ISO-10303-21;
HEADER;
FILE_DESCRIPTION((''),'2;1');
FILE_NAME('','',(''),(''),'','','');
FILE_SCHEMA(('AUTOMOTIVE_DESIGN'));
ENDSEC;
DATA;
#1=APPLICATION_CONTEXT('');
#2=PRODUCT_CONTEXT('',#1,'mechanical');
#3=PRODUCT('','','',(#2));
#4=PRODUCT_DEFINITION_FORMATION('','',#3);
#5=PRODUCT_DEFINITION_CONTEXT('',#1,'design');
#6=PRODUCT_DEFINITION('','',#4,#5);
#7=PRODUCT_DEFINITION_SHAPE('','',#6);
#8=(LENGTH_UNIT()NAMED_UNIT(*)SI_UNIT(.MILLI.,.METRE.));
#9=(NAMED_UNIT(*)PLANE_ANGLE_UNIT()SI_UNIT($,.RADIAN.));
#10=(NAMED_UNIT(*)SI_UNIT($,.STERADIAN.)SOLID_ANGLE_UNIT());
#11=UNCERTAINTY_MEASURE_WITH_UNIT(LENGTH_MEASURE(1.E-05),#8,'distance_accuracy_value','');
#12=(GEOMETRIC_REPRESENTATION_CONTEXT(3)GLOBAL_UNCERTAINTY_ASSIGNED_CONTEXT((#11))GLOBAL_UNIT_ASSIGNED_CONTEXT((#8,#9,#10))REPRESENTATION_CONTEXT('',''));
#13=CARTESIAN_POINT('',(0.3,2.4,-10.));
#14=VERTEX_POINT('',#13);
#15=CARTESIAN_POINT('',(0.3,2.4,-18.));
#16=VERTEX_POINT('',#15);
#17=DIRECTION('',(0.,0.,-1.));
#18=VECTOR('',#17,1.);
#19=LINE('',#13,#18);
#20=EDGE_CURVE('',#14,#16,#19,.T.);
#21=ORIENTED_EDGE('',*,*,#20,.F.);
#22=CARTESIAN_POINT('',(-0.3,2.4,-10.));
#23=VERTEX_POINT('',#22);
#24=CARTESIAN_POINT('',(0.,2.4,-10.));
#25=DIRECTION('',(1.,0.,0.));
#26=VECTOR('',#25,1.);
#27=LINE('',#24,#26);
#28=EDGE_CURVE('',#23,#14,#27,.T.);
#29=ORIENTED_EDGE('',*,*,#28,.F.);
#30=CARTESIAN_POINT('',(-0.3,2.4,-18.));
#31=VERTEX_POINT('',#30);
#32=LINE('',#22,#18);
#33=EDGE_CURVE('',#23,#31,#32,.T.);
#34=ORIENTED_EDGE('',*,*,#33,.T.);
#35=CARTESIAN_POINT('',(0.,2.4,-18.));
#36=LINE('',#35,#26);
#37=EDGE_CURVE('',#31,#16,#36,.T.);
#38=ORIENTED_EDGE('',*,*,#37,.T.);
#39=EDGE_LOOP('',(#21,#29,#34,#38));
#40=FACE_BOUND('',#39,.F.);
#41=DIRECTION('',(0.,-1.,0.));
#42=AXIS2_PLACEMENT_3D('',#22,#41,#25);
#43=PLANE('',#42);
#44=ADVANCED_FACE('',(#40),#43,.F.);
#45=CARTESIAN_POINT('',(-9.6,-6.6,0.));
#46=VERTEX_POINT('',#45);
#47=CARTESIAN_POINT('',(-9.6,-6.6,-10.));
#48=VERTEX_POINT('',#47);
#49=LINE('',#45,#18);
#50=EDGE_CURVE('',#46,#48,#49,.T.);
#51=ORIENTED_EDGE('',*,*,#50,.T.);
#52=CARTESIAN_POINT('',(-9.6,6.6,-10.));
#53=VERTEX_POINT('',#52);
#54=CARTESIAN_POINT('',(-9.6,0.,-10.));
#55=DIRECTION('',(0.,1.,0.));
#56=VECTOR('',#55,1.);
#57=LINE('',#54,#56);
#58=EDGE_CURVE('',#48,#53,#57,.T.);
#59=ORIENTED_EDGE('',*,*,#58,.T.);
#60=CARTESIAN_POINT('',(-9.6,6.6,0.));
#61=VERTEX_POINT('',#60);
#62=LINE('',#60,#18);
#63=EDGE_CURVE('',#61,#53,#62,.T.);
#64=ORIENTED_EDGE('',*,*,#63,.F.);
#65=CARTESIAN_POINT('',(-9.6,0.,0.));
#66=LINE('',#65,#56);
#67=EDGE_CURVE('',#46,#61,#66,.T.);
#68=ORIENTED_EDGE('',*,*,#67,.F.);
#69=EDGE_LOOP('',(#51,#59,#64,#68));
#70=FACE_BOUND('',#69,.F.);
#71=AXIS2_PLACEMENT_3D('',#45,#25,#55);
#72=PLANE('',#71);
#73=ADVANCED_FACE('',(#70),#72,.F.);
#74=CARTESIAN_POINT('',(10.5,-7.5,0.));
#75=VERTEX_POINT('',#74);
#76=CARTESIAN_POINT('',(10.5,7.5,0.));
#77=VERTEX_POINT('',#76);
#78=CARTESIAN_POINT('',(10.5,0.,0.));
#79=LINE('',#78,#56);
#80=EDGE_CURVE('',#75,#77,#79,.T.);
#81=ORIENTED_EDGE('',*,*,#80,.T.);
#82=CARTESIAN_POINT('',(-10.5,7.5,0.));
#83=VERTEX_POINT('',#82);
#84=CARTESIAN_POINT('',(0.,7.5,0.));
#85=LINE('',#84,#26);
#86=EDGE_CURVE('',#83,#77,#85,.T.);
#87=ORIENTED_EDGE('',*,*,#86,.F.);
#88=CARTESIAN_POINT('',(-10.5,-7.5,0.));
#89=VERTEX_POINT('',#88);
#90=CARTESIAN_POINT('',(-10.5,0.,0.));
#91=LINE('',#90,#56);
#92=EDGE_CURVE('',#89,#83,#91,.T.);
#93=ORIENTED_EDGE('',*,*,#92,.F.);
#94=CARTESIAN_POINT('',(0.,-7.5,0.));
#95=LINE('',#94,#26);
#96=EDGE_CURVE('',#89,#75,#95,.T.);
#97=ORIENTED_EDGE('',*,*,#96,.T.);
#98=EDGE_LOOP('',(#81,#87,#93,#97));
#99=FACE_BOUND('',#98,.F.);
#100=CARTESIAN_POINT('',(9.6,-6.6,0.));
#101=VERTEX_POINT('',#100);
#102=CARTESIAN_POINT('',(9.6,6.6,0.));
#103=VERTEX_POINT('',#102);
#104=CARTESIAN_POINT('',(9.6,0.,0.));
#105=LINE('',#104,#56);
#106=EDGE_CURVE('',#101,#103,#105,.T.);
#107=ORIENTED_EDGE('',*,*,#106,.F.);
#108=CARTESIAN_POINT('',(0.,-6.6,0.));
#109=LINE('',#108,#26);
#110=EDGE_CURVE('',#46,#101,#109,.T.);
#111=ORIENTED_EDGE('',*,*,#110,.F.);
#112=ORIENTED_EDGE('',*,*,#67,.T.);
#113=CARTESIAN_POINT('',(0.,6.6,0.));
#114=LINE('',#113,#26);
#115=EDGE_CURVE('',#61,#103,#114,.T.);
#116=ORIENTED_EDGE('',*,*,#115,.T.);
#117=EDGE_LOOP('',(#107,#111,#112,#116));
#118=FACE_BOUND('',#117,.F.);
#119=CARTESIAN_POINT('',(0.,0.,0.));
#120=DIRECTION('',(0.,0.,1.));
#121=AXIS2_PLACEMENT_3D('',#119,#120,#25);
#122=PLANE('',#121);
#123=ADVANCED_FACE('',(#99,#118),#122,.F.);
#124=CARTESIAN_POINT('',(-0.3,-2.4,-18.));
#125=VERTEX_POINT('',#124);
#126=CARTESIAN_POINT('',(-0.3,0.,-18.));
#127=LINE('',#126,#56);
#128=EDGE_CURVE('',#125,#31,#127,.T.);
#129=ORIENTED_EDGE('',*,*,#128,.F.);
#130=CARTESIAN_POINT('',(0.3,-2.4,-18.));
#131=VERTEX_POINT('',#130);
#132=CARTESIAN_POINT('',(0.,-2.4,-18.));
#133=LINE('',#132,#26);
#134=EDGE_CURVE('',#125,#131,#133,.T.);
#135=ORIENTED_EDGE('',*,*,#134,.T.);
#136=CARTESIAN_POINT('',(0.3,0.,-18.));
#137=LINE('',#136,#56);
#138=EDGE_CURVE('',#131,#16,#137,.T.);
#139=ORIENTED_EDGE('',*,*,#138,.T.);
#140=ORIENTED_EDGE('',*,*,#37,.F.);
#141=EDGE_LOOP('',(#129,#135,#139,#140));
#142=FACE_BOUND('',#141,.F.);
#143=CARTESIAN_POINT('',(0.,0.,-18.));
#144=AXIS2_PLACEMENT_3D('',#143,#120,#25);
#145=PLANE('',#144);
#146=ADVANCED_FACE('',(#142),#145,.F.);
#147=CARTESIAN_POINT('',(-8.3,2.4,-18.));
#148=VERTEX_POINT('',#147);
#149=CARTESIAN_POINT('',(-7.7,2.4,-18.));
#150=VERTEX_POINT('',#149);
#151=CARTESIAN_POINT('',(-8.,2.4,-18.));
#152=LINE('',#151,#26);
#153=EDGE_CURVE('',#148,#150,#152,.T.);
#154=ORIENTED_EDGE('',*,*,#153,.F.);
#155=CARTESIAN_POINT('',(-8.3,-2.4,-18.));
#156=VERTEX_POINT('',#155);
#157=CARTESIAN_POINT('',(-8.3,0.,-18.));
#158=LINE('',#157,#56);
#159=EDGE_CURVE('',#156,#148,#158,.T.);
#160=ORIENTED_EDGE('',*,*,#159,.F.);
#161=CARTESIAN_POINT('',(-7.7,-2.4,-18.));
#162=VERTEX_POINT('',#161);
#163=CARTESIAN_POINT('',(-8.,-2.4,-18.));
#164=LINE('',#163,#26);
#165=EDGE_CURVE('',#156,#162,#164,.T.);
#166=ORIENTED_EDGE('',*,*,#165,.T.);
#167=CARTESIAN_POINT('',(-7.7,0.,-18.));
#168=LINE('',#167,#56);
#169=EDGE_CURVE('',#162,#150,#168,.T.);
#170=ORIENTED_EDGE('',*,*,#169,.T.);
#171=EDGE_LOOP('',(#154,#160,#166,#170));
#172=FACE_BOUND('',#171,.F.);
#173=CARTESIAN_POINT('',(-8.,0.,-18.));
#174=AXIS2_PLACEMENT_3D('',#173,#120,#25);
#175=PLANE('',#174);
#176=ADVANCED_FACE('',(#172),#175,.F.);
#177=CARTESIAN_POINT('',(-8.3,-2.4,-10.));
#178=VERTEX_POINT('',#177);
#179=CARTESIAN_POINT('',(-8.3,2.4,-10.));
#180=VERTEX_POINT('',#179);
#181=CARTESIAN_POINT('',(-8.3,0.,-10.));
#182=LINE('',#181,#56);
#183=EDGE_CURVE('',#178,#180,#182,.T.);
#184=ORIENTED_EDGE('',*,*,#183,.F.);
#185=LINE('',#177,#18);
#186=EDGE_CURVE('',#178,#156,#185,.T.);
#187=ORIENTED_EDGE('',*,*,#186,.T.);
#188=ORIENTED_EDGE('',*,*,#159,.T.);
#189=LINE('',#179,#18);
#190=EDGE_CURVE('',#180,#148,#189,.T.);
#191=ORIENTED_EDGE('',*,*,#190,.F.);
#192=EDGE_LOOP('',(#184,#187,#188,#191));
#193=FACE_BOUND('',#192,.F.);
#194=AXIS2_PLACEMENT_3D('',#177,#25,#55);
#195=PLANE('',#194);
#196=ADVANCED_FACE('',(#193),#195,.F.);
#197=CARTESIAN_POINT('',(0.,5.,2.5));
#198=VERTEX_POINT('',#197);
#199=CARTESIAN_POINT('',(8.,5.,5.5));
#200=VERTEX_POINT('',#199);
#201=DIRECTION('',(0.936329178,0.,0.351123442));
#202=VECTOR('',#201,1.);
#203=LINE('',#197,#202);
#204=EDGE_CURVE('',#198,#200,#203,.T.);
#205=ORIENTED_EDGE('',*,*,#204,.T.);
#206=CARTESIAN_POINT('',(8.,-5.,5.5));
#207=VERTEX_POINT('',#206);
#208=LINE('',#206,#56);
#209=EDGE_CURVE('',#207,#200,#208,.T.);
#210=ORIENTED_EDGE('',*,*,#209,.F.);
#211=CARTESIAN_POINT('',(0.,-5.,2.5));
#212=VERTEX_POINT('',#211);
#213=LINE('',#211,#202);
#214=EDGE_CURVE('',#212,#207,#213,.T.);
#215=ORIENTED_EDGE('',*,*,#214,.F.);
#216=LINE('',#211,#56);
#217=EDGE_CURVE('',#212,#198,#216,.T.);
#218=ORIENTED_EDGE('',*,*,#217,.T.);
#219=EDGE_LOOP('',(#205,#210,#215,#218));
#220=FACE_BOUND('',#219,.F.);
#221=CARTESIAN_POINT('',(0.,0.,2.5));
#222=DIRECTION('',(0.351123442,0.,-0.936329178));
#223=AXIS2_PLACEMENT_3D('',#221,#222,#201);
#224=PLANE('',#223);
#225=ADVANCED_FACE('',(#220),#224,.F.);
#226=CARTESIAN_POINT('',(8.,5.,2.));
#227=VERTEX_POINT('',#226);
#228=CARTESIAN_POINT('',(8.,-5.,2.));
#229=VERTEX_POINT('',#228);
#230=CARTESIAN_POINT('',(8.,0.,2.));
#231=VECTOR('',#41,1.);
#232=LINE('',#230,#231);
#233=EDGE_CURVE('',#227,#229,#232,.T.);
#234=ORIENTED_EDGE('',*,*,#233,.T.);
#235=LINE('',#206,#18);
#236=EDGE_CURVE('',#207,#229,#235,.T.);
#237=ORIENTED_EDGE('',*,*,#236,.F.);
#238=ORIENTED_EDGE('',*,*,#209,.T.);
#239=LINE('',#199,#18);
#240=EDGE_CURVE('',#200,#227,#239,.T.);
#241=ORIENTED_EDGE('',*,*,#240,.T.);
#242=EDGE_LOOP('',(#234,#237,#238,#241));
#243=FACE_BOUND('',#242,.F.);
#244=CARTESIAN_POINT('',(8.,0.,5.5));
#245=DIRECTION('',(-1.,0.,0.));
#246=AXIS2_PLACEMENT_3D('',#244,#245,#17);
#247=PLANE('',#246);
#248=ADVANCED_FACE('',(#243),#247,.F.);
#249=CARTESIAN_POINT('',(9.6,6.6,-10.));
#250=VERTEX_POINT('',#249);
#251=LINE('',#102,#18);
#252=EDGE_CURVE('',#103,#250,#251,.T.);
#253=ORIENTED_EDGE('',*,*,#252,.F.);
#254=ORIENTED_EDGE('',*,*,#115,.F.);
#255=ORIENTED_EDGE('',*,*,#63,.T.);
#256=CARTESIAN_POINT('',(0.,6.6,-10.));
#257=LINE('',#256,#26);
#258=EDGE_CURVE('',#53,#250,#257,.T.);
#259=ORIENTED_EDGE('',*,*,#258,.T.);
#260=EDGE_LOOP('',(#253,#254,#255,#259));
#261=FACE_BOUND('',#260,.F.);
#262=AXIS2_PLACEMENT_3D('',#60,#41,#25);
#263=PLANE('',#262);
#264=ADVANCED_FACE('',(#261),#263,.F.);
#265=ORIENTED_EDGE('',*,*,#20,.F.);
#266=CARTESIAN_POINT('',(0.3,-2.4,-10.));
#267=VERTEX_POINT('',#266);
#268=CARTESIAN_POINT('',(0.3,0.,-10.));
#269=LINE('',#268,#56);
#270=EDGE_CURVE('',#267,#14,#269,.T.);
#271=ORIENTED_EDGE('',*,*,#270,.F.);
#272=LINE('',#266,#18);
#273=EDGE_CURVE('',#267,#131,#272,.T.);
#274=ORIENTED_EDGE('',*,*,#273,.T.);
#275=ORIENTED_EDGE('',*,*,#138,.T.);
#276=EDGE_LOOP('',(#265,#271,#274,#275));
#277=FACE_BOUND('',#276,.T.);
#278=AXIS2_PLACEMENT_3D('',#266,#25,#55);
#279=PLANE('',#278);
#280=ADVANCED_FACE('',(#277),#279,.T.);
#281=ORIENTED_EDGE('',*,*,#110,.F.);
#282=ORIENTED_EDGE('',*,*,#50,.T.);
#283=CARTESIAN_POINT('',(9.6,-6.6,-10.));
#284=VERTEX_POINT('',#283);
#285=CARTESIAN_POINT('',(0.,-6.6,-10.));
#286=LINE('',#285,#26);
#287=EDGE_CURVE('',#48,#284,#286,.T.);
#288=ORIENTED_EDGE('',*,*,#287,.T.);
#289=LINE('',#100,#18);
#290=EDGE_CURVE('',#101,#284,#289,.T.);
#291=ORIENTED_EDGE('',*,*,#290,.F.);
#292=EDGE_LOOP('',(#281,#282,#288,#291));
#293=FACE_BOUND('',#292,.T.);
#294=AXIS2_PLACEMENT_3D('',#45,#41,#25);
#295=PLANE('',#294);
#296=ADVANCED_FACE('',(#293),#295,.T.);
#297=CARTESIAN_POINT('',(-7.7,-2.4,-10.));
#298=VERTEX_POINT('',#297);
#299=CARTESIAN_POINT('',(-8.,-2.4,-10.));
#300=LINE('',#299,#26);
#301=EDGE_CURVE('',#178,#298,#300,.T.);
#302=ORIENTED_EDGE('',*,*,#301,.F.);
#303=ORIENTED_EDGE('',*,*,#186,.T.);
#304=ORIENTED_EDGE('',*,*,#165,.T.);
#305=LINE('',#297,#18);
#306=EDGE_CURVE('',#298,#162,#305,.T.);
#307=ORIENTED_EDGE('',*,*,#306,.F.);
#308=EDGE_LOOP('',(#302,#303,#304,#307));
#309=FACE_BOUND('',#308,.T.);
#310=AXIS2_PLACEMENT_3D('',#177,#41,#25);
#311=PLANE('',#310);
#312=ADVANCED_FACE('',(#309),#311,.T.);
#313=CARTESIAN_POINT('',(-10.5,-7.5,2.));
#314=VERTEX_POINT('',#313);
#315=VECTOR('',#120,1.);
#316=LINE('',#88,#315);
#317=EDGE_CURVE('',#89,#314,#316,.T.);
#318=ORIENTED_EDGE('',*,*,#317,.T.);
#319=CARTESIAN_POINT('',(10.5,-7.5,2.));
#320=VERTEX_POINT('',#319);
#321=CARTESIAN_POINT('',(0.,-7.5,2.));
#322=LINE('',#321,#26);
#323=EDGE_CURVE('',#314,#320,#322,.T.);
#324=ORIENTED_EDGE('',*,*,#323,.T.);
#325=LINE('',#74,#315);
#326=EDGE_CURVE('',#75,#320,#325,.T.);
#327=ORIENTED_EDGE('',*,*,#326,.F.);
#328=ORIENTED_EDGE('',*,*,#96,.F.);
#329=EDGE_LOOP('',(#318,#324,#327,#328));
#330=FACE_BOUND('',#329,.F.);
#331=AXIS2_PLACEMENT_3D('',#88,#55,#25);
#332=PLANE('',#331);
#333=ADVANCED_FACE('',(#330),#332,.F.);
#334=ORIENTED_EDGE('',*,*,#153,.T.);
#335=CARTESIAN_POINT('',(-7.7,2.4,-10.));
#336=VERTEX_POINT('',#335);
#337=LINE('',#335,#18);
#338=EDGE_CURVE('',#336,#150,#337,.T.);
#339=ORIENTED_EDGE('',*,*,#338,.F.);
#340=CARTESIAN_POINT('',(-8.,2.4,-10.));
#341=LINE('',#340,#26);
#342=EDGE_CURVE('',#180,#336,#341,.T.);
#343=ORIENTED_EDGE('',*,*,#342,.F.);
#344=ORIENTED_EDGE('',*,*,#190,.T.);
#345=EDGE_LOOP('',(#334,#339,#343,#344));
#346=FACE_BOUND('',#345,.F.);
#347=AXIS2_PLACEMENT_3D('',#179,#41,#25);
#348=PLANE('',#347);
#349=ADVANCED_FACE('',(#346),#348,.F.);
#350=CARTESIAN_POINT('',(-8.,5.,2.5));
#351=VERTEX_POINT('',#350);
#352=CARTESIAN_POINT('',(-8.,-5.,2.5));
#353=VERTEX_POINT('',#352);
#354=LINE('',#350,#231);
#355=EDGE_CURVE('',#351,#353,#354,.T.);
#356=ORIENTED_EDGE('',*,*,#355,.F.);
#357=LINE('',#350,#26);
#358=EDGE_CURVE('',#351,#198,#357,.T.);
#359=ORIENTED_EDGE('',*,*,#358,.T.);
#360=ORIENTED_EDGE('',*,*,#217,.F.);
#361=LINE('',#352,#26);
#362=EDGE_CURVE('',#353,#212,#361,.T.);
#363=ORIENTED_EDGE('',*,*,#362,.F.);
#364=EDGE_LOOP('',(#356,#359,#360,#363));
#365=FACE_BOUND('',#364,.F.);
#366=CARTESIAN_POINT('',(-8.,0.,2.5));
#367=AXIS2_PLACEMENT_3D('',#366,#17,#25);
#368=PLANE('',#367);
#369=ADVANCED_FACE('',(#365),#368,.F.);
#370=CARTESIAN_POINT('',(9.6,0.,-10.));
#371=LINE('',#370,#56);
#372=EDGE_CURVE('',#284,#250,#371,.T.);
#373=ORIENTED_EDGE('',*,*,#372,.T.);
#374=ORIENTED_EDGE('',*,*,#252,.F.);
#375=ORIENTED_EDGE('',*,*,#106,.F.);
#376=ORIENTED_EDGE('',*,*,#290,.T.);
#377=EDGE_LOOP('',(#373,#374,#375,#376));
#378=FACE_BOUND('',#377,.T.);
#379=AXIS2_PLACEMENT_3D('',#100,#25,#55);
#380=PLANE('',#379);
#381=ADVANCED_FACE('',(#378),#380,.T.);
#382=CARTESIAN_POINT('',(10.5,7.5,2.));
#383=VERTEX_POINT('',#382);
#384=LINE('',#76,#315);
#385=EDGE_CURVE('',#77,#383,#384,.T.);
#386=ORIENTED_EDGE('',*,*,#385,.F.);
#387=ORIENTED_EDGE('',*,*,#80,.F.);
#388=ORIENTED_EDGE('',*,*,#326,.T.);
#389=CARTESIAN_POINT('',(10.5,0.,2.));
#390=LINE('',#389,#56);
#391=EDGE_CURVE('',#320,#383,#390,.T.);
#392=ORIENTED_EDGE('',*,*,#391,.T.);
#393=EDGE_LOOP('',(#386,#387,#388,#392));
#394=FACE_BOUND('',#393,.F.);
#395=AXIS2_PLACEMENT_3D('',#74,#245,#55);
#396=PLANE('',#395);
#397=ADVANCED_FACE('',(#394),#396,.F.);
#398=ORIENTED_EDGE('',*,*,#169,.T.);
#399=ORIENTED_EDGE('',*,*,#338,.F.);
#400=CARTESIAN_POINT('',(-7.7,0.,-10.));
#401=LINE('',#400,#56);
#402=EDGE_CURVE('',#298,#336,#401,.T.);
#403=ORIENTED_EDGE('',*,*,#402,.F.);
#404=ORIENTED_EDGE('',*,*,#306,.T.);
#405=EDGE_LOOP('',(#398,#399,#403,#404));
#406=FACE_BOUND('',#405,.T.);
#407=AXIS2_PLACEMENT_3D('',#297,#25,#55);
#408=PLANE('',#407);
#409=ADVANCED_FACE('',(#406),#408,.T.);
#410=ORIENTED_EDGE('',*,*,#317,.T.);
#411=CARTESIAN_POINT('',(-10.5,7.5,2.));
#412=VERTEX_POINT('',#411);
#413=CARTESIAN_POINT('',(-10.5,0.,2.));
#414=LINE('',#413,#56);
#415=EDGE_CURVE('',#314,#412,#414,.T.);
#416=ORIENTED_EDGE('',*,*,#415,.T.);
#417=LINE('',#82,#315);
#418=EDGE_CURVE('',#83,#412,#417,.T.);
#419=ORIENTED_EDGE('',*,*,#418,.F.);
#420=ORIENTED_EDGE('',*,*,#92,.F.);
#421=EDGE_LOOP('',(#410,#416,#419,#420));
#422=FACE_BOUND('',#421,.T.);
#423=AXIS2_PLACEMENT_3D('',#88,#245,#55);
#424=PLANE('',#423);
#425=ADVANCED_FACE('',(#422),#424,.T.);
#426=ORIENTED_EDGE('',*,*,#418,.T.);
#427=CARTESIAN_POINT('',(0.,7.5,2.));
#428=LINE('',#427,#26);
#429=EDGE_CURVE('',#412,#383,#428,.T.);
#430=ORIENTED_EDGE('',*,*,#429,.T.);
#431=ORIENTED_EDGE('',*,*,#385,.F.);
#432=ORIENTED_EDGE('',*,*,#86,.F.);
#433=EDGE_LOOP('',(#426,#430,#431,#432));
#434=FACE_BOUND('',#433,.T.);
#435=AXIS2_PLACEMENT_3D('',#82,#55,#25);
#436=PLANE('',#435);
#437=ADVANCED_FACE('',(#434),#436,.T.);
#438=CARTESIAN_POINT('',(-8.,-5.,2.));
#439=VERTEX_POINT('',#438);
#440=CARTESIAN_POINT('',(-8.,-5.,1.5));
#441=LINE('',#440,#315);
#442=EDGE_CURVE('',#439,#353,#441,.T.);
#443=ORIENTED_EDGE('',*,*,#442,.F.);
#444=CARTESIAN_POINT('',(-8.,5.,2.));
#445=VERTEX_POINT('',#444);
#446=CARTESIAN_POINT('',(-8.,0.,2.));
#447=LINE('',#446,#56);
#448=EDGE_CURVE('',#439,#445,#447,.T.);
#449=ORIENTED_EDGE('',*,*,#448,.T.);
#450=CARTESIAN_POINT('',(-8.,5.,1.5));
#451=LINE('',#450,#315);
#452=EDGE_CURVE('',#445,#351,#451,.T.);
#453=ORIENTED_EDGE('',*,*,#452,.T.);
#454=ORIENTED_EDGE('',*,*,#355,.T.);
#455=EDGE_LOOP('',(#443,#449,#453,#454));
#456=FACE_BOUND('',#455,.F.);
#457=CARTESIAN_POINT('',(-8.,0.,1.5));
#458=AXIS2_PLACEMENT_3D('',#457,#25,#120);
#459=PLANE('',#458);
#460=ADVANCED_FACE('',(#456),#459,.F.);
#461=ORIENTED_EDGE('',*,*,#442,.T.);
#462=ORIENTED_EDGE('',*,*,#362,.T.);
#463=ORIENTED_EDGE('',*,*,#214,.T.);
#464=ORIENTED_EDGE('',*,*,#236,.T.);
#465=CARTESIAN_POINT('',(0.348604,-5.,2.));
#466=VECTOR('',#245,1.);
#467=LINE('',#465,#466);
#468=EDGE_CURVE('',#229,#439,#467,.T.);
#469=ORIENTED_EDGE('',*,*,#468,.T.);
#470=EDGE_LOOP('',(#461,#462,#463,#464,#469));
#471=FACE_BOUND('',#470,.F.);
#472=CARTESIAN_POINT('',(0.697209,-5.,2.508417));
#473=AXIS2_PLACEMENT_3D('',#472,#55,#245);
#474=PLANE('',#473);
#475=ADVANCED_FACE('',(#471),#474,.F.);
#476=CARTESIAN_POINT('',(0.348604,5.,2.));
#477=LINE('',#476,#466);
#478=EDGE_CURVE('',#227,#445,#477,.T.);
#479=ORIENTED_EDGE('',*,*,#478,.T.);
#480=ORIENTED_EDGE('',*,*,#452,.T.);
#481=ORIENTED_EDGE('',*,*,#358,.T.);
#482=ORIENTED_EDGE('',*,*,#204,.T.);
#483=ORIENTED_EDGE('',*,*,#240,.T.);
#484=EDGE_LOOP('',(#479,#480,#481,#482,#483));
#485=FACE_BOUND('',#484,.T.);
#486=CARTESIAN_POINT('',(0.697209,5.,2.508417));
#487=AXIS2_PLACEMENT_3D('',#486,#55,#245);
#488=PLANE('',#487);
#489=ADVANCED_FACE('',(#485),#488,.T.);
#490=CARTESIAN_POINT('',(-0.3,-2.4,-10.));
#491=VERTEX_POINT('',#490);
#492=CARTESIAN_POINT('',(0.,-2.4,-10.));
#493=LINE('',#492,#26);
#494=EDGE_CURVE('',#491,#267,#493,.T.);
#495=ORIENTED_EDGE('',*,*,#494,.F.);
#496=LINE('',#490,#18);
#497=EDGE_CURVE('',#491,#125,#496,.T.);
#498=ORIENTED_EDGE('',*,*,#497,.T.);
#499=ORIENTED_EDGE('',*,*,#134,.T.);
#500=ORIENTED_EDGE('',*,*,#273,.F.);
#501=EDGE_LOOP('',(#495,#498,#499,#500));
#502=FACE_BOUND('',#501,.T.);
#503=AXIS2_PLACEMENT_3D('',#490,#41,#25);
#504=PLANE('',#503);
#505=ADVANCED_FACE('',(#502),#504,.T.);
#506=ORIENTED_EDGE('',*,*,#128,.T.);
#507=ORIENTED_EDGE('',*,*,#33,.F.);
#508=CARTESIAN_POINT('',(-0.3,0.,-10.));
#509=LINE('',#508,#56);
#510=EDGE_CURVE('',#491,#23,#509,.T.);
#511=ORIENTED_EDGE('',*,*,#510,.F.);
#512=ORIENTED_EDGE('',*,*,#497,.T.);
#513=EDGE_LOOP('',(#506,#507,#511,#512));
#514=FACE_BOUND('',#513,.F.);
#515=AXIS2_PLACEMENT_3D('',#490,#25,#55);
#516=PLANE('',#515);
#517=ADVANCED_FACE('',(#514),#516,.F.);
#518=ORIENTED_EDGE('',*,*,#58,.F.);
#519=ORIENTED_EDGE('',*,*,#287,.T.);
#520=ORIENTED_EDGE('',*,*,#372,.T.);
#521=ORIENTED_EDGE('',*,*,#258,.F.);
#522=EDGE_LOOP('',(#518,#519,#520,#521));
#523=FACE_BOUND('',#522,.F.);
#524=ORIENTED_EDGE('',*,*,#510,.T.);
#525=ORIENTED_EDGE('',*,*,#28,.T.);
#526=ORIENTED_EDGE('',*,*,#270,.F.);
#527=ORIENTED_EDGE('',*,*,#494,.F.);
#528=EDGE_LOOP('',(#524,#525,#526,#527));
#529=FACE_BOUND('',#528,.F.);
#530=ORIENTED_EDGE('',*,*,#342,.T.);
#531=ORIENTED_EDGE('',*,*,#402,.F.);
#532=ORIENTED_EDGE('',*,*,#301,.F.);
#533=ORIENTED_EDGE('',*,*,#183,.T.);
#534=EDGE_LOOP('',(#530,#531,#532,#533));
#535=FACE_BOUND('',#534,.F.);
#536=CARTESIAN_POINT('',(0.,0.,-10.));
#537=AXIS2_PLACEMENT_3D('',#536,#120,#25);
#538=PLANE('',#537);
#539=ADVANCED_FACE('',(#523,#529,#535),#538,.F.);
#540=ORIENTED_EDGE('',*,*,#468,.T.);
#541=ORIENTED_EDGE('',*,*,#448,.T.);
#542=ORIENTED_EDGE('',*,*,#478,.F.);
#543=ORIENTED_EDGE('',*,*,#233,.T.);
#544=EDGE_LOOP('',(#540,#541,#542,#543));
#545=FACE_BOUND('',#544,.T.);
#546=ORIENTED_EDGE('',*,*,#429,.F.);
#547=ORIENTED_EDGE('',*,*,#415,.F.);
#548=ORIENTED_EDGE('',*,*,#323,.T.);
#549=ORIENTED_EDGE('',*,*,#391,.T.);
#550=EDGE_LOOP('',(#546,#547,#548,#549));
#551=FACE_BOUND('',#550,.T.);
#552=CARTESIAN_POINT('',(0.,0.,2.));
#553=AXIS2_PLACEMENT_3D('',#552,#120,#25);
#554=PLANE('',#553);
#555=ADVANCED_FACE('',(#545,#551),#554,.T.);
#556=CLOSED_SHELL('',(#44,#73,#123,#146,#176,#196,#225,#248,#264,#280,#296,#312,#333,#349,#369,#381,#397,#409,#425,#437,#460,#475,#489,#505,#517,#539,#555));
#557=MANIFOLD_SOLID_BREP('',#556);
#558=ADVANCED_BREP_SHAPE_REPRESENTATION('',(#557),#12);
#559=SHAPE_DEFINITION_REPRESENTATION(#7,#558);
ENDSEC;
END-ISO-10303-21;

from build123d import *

# Parameters (mm, degrees)
SKETCH079_W  = 21
SKETCH079_H  = 15
PAD044_DEPTH = 2
SKETCH080_W  = 19.2
SKETCH080_H  = 13.2
PAD045_DEPTH = 10
SKETCH081_W  = 0.6
SKETCH081_H  = 4.8
PAD046_DEPTH = 8
PAD047_DEPTH = 5


with BuildPart() as part:
    # Sketch079 → Pad044 (new body)
    with BuildSketch(Plane.XY):
        Rectangle(SKETCH079_W, SKETCH079_H)
    extrude(amount=PAD044_DEPTH)

    # Sketch080 → Pad045 (join)
    with BuildSketch(Plane.XY):
        Rectangle(SKETCH080_W, SKETCH080_H)
    extrude(amount=-PAD045_DEPTH)

    # Sketch081 → Pad046 (join)
    with BuildSketch(Plane.XY.offset(-10)):
        Rectangle(SKETCH081_W, SKETCH081_H)
        with Locations((-8, 0)):
            Rectangle(SKETCH081_W, SKETCH081_H)
    extrude(amount=-PAD046_DEPTH)

    # Sketch082 → Pad047 (join, symmetric)
    with BuildSketch(Plane(origin=(0, 0, 2.5), x_dir=(1, 0, 0), z_dir=(0, -1, 0))):
        Polygon((-8, 0), (0, 0), (8, 3), (8, -1), (-8, -1), align=None)
    extrude(amount=PAD047_DEPTH, both=True)


solid = part.part
